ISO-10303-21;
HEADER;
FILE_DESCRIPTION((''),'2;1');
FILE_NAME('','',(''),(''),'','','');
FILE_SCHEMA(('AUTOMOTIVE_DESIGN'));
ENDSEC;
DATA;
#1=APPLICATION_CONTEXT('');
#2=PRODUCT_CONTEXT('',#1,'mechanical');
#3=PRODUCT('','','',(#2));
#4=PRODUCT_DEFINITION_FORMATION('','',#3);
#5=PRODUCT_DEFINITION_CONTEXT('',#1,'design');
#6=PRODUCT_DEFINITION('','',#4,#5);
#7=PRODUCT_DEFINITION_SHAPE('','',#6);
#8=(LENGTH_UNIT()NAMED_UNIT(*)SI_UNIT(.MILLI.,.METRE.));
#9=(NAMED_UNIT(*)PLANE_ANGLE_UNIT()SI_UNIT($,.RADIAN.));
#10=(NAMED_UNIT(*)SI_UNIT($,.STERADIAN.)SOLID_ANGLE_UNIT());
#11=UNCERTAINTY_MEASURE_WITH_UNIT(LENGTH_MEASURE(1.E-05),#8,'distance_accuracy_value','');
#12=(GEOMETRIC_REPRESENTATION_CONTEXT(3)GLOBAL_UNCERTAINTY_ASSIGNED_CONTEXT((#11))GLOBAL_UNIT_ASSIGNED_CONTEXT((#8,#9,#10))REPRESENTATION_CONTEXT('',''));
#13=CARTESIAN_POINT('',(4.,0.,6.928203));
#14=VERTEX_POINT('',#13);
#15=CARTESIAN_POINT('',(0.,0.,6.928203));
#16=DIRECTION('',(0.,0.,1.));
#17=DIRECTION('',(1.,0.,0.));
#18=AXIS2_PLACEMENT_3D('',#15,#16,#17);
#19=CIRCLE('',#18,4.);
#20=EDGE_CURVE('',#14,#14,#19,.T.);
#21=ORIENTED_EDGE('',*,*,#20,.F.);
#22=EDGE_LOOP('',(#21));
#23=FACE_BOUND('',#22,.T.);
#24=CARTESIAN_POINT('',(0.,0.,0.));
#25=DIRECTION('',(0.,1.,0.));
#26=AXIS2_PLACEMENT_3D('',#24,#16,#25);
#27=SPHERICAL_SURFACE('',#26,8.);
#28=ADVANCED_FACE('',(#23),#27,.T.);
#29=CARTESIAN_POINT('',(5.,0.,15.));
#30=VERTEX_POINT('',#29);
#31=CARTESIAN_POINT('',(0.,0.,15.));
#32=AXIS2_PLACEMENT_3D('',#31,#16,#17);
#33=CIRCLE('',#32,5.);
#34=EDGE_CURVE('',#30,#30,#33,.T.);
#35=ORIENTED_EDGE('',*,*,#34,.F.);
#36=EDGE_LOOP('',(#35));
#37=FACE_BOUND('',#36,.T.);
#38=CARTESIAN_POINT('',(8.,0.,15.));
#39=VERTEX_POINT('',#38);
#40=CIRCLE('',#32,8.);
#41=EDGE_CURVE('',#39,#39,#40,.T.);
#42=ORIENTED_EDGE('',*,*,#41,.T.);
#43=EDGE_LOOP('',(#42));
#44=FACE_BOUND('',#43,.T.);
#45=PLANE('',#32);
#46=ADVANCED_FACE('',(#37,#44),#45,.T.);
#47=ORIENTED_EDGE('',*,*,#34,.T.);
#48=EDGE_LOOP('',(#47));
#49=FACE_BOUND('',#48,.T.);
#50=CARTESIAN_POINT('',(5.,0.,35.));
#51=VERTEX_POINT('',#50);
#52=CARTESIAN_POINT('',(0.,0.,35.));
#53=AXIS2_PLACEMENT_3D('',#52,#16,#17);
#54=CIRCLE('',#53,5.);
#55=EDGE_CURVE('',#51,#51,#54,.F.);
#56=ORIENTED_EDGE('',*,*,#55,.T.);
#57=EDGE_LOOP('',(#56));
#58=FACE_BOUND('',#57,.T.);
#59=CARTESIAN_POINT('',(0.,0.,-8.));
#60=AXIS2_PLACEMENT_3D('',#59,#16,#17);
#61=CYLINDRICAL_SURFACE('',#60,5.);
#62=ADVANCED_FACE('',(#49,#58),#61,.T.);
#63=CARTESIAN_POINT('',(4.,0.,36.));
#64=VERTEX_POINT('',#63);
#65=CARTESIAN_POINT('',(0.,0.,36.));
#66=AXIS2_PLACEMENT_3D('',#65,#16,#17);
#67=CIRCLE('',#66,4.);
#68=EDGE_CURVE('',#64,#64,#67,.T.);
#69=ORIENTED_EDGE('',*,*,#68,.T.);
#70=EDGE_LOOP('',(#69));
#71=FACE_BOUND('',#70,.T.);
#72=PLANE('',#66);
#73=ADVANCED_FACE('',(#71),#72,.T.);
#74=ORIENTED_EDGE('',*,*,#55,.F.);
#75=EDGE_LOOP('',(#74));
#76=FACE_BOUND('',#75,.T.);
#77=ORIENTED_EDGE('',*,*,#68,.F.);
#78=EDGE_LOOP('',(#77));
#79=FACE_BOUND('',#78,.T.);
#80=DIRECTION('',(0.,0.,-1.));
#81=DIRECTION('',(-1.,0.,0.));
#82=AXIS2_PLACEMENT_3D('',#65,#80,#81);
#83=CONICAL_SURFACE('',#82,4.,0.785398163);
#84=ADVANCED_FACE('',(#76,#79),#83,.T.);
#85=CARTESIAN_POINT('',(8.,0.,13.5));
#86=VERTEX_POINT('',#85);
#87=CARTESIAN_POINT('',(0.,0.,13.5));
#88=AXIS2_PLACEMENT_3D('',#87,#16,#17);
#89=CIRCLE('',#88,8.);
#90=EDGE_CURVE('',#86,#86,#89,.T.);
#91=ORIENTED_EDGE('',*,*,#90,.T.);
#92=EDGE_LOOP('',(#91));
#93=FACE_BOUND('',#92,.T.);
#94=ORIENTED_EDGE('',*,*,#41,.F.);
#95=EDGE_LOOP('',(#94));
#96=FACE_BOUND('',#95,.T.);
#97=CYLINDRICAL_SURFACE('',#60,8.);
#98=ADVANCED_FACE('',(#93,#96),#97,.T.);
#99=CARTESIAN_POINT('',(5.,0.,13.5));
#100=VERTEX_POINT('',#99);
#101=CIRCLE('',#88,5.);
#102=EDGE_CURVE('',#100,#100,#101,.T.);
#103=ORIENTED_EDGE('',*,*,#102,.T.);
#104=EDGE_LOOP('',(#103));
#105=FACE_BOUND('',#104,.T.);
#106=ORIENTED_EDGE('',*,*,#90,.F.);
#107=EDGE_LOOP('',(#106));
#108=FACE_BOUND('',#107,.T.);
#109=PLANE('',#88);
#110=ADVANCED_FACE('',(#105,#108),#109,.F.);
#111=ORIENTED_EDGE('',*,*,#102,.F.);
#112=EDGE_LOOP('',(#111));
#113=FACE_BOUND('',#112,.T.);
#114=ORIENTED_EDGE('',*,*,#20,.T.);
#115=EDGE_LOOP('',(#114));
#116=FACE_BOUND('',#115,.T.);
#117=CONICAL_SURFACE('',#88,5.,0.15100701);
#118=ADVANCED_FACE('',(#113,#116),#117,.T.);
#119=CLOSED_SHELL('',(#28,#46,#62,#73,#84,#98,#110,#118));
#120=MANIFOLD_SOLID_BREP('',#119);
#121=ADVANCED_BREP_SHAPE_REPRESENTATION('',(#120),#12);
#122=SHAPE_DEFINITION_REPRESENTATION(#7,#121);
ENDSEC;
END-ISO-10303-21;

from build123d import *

# Parameters (mm, degrees)
CHAMFER1_SIZE = 1


with BuildPart() as part:
    # Sketch1 → Revolve4 (revolve)
    with BuildSketch(Plane(origin=(0, 0, 0), x_dir=(0, 0, -1), z_dir=(1, 0, 0))):
        with BuildLine():
            Line((-36, 0), (8, 0))
            ThreePointArc((8, 0), (2.070552361, 7.72740661), (-6.92820323, 4))
            Line((-6.92820323, 4), (-13.5, 5))
            Line((-13.5, 5), (-13.5, 8))
            Line((-13.5, 8), (-15, 8))
            Line((-15, 8), (-15, 5))
            Line((-15, 5), (-36, 5))
            Line((-36, 5), (-36, 0))
        make_face()
    revolve(axis=Axis((0, 0, -8), (0, 0, -1)))

    # Chamfer1
    chamfer1_edges = [part.edges().sort_by_distance(p)[0] for p in [
        (0, -5, 36),
    ]]
    chamfer(chamfer1_edges, length=CHAMFER1_SIZE)


solid = part.part
